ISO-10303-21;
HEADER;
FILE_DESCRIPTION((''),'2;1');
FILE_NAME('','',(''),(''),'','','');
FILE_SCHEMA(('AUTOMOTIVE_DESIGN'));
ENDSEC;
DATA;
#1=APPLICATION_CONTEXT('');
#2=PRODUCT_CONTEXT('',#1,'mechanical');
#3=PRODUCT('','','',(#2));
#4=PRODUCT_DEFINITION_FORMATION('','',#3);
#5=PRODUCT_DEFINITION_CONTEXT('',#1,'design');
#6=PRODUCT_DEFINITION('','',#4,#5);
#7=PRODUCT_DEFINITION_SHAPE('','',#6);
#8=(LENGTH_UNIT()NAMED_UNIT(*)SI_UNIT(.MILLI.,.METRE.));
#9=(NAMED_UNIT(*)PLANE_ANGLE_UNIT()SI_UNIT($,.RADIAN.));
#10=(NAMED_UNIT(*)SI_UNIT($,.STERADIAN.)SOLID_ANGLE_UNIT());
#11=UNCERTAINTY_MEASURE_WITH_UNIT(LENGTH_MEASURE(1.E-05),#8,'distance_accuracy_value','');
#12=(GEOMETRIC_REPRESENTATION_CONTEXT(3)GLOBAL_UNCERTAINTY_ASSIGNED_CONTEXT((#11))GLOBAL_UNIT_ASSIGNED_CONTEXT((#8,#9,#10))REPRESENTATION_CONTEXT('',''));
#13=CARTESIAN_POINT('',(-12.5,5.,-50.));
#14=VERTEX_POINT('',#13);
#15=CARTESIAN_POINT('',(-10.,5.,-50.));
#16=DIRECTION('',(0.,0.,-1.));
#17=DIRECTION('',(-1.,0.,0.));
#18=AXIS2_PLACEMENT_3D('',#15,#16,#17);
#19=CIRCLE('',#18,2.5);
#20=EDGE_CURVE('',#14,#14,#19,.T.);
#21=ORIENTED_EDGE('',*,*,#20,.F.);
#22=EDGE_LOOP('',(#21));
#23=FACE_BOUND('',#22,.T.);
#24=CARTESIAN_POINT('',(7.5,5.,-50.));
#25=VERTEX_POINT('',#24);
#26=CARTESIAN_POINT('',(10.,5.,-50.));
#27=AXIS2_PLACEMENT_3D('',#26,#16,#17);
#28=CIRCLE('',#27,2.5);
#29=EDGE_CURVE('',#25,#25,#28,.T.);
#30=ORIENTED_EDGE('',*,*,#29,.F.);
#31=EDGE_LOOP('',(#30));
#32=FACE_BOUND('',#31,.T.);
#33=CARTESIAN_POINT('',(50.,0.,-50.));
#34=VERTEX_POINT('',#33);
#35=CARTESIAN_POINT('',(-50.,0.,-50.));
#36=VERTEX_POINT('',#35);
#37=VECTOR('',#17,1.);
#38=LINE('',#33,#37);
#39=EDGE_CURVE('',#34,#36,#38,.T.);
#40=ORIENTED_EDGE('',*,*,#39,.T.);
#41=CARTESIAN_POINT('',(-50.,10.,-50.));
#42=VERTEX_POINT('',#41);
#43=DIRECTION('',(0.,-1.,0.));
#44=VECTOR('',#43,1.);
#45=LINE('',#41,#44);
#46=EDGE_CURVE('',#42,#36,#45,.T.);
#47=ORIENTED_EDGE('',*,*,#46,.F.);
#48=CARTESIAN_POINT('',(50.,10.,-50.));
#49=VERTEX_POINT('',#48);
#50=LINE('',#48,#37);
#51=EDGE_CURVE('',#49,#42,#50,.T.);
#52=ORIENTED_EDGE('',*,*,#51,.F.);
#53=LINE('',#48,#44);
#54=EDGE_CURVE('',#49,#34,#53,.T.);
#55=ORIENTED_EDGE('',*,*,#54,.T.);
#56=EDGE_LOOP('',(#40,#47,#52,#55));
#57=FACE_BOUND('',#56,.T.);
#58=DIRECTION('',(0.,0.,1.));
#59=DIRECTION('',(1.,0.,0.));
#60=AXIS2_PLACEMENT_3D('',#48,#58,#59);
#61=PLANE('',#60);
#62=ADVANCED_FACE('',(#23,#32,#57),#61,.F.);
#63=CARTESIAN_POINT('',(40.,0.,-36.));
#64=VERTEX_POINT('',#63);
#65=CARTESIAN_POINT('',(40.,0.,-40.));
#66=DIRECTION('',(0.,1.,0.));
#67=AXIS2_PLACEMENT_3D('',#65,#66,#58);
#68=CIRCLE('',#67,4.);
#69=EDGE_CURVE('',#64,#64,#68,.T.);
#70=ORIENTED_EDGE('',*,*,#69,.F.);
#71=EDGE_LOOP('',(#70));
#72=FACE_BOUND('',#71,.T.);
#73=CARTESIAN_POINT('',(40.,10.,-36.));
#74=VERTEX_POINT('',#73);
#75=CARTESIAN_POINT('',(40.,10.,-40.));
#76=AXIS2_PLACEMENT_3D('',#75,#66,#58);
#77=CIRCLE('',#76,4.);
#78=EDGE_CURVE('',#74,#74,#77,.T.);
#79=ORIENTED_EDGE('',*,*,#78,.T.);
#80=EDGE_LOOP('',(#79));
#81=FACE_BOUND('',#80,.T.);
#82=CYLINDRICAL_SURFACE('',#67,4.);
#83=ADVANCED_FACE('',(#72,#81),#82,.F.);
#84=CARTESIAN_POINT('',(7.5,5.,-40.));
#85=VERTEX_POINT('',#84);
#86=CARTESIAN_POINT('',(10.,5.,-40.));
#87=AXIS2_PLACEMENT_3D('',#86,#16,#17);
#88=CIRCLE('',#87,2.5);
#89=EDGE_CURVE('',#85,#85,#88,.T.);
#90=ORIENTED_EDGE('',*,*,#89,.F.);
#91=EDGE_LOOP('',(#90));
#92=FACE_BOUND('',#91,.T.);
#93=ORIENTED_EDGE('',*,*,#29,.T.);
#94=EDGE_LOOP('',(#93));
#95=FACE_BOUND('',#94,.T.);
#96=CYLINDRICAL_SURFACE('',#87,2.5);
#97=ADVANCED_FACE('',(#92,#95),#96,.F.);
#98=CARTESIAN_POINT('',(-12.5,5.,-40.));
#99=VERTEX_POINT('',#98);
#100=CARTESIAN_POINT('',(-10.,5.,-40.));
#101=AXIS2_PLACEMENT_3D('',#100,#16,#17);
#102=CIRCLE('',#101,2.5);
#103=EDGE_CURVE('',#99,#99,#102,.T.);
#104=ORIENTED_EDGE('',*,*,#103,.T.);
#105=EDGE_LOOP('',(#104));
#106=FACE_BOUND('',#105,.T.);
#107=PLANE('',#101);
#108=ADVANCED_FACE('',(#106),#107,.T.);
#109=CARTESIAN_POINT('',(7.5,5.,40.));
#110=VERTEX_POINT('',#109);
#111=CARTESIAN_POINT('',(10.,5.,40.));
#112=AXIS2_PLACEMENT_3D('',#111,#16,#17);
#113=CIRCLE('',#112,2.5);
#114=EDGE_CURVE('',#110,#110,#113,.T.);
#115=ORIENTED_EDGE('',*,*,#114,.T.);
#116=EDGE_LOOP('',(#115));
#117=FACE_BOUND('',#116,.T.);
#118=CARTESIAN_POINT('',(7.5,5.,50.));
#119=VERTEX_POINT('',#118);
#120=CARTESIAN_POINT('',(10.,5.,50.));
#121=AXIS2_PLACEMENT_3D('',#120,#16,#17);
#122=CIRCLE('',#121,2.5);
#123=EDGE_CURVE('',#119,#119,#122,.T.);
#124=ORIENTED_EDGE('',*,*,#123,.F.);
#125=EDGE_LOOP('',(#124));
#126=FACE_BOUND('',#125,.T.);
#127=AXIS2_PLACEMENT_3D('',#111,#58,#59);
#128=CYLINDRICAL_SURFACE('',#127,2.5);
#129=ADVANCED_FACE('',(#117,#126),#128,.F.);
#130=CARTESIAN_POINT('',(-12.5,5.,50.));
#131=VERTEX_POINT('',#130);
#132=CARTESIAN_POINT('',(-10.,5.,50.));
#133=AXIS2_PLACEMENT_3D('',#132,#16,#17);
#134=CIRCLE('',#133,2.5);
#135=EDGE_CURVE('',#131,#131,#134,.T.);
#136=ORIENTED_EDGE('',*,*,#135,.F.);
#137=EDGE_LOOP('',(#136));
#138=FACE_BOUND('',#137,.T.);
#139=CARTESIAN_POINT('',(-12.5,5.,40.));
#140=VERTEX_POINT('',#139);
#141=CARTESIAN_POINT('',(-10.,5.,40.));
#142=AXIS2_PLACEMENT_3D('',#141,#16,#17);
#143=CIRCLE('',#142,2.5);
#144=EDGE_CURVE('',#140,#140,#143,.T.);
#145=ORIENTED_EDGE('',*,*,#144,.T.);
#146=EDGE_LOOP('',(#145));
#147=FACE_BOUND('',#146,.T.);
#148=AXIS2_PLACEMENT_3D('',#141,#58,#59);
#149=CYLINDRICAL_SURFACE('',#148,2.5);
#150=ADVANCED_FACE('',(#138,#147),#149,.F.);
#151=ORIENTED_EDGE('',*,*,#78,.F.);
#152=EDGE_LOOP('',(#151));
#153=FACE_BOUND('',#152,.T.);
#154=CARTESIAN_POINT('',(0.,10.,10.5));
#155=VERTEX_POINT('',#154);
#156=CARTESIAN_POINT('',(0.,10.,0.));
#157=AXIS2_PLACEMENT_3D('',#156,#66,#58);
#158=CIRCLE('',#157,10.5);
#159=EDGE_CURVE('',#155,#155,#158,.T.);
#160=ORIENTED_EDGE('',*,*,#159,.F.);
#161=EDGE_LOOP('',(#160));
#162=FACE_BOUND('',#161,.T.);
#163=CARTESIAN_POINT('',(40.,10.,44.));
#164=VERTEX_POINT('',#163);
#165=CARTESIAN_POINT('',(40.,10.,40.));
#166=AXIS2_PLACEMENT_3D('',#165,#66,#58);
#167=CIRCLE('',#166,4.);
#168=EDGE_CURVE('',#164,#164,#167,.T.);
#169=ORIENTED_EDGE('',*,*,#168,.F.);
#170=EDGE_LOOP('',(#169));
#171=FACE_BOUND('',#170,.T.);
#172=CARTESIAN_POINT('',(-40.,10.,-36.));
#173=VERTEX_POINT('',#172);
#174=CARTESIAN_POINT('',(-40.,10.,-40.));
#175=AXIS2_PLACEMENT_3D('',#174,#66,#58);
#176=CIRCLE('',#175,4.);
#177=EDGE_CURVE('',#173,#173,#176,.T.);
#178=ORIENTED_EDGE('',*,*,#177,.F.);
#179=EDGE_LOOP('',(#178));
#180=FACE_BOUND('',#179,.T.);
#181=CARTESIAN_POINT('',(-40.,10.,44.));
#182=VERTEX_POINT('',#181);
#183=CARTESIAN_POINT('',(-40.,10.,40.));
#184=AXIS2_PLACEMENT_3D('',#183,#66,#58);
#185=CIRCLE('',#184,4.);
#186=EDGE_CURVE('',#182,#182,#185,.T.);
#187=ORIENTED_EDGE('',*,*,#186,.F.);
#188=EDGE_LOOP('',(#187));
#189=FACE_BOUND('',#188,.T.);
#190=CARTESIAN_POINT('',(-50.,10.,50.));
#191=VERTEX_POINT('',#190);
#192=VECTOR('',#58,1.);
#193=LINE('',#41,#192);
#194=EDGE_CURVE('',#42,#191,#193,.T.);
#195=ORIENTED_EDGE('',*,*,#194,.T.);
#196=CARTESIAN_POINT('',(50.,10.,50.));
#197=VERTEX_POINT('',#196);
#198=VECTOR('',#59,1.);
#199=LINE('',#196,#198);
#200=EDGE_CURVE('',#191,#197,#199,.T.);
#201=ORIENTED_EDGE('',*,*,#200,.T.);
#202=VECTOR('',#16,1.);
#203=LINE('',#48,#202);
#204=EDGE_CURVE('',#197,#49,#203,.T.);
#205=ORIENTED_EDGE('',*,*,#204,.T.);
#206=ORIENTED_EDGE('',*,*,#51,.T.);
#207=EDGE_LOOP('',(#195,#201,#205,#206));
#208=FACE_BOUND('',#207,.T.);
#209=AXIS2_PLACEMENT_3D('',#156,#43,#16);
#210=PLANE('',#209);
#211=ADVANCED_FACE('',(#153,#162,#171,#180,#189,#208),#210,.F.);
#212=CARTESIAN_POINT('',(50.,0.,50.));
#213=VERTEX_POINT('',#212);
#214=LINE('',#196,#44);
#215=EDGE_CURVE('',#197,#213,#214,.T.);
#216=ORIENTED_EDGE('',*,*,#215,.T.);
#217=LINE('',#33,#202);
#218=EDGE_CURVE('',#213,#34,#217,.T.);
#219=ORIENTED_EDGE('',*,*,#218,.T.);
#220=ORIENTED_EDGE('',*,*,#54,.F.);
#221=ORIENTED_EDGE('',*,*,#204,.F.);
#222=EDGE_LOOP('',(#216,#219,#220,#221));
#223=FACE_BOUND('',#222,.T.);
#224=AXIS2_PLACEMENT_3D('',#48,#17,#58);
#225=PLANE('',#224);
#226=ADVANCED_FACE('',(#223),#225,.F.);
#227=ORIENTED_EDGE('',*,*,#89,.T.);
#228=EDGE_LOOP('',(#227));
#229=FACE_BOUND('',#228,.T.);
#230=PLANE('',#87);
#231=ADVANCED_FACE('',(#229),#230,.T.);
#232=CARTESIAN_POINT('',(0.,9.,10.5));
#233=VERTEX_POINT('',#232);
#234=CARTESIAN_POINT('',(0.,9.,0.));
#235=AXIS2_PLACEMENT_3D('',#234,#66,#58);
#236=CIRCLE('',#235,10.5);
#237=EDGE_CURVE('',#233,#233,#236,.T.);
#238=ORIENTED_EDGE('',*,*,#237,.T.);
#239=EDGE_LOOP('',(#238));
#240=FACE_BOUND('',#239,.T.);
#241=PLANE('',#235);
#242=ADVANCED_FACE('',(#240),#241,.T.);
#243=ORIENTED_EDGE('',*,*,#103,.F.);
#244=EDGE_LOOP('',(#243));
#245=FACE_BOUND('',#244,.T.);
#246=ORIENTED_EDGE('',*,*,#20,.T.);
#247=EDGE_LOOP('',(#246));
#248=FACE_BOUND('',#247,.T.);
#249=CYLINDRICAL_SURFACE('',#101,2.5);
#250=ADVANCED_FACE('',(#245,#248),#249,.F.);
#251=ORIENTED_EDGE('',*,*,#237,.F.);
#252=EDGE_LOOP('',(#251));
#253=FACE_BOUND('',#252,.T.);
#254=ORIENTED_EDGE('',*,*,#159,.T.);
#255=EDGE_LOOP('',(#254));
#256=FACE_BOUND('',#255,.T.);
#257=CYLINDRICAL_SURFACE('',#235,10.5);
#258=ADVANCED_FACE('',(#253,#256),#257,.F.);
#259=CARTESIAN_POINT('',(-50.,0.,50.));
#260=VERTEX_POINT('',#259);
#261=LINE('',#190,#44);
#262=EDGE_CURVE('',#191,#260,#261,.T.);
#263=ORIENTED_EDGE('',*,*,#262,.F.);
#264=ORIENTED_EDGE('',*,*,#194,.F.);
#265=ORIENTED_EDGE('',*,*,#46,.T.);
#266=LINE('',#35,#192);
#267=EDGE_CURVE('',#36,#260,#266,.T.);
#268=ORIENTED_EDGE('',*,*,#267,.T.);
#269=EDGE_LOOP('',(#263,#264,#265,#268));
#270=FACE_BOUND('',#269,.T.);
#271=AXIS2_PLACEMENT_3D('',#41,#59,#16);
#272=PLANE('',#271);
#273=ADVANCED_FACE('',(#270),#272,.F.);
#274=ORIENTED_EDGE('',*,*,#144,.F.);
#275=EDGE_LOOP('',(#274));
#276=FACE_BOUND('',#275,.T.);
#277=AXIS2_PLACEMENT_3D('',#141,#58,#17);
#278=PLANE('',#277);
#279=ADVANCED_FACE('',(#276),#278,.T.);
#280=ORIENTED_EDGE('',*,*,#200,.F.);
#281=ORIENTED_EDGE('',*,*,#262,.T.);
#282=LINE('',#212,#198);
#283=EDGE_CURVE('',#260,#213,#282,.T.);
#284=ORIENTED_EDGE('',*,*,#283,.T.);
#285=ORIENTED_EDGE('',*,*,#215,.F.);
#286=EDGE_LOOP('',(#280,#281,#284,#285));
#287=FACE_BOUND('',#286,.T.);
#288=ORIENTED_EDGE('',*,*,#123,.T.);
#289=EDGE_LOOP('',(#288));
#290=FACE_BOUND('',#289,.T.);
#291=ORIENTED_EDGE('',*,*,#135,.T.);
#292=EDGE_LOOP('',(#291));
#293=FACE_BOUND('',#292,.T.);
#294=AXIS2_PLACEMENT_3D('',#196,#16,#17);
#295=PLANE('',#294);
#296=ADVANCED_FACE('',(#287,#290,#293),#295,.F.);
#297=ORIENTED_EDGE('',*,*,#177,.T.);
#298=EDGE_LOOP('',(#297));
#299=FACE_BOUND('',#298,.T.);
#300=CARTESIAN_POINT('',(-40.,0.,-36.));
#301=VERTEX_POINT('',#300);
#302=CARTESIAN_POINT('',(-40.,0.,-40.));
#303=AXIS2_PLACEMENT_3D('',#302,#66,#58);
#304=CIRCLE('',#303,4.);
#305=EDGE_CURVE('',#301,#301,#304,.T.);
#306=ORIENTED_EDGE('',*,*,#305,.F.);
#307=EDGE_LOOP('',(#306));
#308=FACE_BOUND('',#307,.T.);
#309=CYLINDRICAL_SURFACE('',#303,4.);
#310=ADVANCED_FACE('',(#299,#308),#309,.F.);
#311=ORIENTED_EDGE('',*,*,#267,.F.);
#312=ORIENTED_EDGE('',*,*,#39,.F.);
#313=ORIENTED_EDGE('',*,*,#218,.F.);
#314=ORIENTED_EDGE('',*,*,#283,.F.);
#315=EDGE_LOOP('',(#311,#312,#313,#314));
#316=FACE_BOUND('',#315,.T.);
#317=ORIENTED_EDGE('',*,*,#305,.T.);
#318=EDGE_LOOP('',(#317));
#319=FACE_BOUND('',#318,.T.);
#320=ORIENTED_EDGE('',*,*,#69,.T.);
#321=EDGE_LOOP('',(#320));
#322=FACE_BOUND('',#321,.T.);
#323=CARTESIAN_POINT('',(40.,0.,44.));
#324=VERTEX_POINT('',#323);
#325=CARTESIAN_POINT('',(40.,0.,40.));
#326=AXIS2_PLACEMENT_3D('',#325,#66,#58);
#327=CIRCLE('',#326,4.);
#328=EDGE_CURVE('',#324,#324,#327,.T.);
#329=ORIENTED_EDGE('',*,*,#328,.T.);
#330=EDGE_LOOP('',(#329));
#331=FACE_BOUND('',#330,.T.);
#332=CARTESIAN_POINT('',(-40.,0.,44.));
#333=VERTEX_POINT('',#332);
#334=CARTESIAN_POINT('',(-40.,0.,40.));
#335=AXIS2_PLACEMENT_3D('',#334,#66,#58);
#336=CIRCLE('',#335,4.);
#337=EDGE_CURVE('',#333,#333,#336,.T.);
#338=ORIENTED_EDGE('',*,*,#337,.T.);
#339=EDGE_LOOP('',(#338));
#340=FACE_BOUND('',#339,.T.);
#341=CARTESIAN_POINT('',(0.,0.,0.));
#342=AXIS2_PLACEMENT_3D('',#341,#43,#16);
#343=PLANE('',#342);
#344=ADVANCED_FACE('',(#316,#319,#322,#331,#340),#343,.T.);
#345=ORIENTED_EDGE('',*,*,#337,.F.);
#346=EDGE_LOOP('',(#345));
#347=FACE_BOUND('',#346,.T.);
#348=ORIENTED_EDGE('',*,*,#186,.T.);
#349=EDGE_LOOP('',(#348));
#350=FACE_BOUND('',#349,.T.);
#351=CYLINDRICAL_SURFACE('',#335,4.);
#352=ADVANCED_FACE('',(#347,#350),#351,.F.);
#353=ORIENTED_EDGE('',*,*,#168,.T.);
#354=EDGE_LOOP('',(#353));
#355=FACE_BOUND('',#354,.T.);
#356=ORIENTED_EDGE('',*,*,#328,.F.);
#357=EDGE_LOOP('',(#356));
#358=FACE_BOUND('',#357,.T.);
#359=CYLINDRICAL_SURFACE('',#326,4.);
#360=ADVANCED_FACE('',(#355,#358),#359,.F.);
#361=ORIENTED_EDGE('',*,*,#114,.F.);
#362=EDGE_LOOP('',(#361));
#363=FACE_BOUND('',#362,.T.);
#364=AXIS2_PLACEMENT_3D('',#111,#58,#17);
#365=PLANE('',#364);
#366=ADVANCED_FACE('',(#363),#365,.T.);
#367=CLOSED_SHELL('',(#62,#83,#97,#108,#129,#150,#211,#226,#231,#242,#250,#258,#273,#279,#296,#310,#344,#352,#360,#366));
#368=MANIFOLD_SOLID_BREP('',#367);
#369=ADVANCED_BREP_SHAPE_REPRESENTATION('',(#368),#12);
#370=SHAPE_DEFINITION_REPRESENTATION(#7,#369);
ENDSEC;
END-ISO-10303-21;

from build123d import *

# Parameters (mm, degrees)
SKETCH1_W           = 100
SKETCH1_H           = 100
BASE_DEPTH          = 10
SKETCH2_R           = 10.5
LOAD_CELL_CUT_DEPTH = 1
CUT_EXTRUDE1_REACH  = 12
SKETCH15_R          = 3
SKETCH21_R          = 2.5
CUT_EXTRUDE2_DEPTH  = 10
SKETCH22_R          = 4
CUT_EXTRUDE3_DEPTH  = 11


with BuildPart() as part:
    # Sketch1 → base (new body)
    with BuildSketch(Plane(origin=(0, 0, 0), x_dir=(1, 0, 0), z_dir=(0, 1, 0))):
        Rectangle(SKETCH1_W, SKETCH1_H)
    extrude(amount=BASE_DEPTH)

    # Sketch2 → load cell cut (cut)
    with BuildSketch(Plane(origin=(0, 10, 0), x_dir=(1, 0, 0), z_dir=(0, 1, 0))):
        Circle(SKETCH2_R)
    extrude(amount=-LOAD_CELL_CUT_DEPTH, mode=Mode.SUBTRACT)

    # Sketch15 → Cut-Extrude1 (cut, up to next)
    with BuildSketch(Plane(origin=(0, 0, 0), x_dir=(-1, 0, 0), z_dir=(0, -1, 0)), mode=Mode.PRIVATE) as cut_extrude1_sk1:
        with Locations((40, -40)):
            Circle(SKETCH15_R)
    cut_extrude1_tool1 = extrude(cut_extrude1_sk1.sketch, amount=-CUT_EXTRUDE1_REACH, mode=Mode.PRIVATE) & part.part
    add(cut_extrude1_tool1.solids().sort_by_distance((-40, 0, 40))[0], mode=Mode.SUBTRACT)
    # Sketch15 → Cut-Extrude1 (cut, up to next)
    with BuildSketch(Plane(origin=(0, 0, 0), x_dir=(-1, 0, 0), z_dir=(0, -1, 0)), mode=Mode.PRIVATE) as cut_extrude1_sk2:
        with Locations((-40, -40)):
            Circle(SKETCH15_R)
    cut_extrude1_tool2 = extrude(cut_extrude1_sk2.sketch, amount=-CUT_EXTRUDE1_REACH, mode=Mode.PRIVATE) & part.part
    add(cut_extrude1_tool2.solids().sort_by_distance((40, 0, 40))[0], mode=Mode.SUBTRACT)
    # Sketch15 → Cut-Extrude1 (cut, up to next)
    with BuildSketch(Plane(origin=(0, 0, 0), x_dir=(-1, 0, 0), z_dir=(0, -1, 0)), mode=Mode.PRIVATE) as cut_extrude1_sk3:
        with Locations((40, 40)):
            Circle(SKETCH15_R)
    cut_extrude1_tool3 = extrude(cut_extrude1_sk3.sketch, amount=-CUT_EXTRUDE1_REACH, mode=Mode.PRIVATE) & part.part
    add(cut_extrude1_tool3.solids().sort_by_distance((-40, 0, -40))[0], mode=Mode.SUBTRACT)
    # Sketch15 → Cut-Extrude1 (cut, up to next)
    with BuildSketch(Plane(origin=(0, 0, 0), x_dir=(-1, 0, 0), z_dir=(0, -1, 0)), mode=Mode.PRIVATE) as cut_extrude1_sk4:
        with Locations((-40, 40)):
            Circle(SKETCH15_R)
    cut_extrude1_tool4 = extrude(cut_extrude1_sk4.sketch, amount=-CUT_EXTRUDE1_REACH, mode=Mode.PRIVATE) & part.part
    add(cut_extrude1_tool4.solids().sort_by_distance((40, 0, -40))[0], mode=Mode.SUBTRACT)

    # Sketch21 → Cut-Extrude2 (cut)
    with BuildSketch(Plane(origin=(0, 0, -50), x_dir=(-1, 0, 0), z_dir=(0, 0, -1))):
        with Locations((-10, 5)):
            Circle(SKETCH21_R)
        with Locations((10, 5)):
            Circle(SKETCH21_R)
    cut_extrude2 = extrude(amount=-CUT_EXTRUDE2_DEPTH, mode=Mode.SUBTRACT)

    # Mirror2: Cut-Extrude2 across plane
    add(cut_extrude2.mirror(Plane.XY), mode=Mode.SUBTRACT)

    # Sketch22 → Cut-Extrude3 (cut, through all)
    with BuildSketch(Plane(origin=(0, 10, 0), x_dir=(1, 0, 0), z_dir=(0, 1, 0))):
        with Locations((40, -40)):
            Circle(SKETCH22_R)
        with Locations((-40, -40)):
            Circle(SKETCH22_R)
        with Locations((-40, 40)):
            Circle(SKETCH22_R)
        with Locations((40, 40)):
            Circle(SKETCH22_R)
    extrude(amount=-CUT_EXTRUDE3_DEPTH, mode=Mode.SUBTRACT)


solid = part.part
